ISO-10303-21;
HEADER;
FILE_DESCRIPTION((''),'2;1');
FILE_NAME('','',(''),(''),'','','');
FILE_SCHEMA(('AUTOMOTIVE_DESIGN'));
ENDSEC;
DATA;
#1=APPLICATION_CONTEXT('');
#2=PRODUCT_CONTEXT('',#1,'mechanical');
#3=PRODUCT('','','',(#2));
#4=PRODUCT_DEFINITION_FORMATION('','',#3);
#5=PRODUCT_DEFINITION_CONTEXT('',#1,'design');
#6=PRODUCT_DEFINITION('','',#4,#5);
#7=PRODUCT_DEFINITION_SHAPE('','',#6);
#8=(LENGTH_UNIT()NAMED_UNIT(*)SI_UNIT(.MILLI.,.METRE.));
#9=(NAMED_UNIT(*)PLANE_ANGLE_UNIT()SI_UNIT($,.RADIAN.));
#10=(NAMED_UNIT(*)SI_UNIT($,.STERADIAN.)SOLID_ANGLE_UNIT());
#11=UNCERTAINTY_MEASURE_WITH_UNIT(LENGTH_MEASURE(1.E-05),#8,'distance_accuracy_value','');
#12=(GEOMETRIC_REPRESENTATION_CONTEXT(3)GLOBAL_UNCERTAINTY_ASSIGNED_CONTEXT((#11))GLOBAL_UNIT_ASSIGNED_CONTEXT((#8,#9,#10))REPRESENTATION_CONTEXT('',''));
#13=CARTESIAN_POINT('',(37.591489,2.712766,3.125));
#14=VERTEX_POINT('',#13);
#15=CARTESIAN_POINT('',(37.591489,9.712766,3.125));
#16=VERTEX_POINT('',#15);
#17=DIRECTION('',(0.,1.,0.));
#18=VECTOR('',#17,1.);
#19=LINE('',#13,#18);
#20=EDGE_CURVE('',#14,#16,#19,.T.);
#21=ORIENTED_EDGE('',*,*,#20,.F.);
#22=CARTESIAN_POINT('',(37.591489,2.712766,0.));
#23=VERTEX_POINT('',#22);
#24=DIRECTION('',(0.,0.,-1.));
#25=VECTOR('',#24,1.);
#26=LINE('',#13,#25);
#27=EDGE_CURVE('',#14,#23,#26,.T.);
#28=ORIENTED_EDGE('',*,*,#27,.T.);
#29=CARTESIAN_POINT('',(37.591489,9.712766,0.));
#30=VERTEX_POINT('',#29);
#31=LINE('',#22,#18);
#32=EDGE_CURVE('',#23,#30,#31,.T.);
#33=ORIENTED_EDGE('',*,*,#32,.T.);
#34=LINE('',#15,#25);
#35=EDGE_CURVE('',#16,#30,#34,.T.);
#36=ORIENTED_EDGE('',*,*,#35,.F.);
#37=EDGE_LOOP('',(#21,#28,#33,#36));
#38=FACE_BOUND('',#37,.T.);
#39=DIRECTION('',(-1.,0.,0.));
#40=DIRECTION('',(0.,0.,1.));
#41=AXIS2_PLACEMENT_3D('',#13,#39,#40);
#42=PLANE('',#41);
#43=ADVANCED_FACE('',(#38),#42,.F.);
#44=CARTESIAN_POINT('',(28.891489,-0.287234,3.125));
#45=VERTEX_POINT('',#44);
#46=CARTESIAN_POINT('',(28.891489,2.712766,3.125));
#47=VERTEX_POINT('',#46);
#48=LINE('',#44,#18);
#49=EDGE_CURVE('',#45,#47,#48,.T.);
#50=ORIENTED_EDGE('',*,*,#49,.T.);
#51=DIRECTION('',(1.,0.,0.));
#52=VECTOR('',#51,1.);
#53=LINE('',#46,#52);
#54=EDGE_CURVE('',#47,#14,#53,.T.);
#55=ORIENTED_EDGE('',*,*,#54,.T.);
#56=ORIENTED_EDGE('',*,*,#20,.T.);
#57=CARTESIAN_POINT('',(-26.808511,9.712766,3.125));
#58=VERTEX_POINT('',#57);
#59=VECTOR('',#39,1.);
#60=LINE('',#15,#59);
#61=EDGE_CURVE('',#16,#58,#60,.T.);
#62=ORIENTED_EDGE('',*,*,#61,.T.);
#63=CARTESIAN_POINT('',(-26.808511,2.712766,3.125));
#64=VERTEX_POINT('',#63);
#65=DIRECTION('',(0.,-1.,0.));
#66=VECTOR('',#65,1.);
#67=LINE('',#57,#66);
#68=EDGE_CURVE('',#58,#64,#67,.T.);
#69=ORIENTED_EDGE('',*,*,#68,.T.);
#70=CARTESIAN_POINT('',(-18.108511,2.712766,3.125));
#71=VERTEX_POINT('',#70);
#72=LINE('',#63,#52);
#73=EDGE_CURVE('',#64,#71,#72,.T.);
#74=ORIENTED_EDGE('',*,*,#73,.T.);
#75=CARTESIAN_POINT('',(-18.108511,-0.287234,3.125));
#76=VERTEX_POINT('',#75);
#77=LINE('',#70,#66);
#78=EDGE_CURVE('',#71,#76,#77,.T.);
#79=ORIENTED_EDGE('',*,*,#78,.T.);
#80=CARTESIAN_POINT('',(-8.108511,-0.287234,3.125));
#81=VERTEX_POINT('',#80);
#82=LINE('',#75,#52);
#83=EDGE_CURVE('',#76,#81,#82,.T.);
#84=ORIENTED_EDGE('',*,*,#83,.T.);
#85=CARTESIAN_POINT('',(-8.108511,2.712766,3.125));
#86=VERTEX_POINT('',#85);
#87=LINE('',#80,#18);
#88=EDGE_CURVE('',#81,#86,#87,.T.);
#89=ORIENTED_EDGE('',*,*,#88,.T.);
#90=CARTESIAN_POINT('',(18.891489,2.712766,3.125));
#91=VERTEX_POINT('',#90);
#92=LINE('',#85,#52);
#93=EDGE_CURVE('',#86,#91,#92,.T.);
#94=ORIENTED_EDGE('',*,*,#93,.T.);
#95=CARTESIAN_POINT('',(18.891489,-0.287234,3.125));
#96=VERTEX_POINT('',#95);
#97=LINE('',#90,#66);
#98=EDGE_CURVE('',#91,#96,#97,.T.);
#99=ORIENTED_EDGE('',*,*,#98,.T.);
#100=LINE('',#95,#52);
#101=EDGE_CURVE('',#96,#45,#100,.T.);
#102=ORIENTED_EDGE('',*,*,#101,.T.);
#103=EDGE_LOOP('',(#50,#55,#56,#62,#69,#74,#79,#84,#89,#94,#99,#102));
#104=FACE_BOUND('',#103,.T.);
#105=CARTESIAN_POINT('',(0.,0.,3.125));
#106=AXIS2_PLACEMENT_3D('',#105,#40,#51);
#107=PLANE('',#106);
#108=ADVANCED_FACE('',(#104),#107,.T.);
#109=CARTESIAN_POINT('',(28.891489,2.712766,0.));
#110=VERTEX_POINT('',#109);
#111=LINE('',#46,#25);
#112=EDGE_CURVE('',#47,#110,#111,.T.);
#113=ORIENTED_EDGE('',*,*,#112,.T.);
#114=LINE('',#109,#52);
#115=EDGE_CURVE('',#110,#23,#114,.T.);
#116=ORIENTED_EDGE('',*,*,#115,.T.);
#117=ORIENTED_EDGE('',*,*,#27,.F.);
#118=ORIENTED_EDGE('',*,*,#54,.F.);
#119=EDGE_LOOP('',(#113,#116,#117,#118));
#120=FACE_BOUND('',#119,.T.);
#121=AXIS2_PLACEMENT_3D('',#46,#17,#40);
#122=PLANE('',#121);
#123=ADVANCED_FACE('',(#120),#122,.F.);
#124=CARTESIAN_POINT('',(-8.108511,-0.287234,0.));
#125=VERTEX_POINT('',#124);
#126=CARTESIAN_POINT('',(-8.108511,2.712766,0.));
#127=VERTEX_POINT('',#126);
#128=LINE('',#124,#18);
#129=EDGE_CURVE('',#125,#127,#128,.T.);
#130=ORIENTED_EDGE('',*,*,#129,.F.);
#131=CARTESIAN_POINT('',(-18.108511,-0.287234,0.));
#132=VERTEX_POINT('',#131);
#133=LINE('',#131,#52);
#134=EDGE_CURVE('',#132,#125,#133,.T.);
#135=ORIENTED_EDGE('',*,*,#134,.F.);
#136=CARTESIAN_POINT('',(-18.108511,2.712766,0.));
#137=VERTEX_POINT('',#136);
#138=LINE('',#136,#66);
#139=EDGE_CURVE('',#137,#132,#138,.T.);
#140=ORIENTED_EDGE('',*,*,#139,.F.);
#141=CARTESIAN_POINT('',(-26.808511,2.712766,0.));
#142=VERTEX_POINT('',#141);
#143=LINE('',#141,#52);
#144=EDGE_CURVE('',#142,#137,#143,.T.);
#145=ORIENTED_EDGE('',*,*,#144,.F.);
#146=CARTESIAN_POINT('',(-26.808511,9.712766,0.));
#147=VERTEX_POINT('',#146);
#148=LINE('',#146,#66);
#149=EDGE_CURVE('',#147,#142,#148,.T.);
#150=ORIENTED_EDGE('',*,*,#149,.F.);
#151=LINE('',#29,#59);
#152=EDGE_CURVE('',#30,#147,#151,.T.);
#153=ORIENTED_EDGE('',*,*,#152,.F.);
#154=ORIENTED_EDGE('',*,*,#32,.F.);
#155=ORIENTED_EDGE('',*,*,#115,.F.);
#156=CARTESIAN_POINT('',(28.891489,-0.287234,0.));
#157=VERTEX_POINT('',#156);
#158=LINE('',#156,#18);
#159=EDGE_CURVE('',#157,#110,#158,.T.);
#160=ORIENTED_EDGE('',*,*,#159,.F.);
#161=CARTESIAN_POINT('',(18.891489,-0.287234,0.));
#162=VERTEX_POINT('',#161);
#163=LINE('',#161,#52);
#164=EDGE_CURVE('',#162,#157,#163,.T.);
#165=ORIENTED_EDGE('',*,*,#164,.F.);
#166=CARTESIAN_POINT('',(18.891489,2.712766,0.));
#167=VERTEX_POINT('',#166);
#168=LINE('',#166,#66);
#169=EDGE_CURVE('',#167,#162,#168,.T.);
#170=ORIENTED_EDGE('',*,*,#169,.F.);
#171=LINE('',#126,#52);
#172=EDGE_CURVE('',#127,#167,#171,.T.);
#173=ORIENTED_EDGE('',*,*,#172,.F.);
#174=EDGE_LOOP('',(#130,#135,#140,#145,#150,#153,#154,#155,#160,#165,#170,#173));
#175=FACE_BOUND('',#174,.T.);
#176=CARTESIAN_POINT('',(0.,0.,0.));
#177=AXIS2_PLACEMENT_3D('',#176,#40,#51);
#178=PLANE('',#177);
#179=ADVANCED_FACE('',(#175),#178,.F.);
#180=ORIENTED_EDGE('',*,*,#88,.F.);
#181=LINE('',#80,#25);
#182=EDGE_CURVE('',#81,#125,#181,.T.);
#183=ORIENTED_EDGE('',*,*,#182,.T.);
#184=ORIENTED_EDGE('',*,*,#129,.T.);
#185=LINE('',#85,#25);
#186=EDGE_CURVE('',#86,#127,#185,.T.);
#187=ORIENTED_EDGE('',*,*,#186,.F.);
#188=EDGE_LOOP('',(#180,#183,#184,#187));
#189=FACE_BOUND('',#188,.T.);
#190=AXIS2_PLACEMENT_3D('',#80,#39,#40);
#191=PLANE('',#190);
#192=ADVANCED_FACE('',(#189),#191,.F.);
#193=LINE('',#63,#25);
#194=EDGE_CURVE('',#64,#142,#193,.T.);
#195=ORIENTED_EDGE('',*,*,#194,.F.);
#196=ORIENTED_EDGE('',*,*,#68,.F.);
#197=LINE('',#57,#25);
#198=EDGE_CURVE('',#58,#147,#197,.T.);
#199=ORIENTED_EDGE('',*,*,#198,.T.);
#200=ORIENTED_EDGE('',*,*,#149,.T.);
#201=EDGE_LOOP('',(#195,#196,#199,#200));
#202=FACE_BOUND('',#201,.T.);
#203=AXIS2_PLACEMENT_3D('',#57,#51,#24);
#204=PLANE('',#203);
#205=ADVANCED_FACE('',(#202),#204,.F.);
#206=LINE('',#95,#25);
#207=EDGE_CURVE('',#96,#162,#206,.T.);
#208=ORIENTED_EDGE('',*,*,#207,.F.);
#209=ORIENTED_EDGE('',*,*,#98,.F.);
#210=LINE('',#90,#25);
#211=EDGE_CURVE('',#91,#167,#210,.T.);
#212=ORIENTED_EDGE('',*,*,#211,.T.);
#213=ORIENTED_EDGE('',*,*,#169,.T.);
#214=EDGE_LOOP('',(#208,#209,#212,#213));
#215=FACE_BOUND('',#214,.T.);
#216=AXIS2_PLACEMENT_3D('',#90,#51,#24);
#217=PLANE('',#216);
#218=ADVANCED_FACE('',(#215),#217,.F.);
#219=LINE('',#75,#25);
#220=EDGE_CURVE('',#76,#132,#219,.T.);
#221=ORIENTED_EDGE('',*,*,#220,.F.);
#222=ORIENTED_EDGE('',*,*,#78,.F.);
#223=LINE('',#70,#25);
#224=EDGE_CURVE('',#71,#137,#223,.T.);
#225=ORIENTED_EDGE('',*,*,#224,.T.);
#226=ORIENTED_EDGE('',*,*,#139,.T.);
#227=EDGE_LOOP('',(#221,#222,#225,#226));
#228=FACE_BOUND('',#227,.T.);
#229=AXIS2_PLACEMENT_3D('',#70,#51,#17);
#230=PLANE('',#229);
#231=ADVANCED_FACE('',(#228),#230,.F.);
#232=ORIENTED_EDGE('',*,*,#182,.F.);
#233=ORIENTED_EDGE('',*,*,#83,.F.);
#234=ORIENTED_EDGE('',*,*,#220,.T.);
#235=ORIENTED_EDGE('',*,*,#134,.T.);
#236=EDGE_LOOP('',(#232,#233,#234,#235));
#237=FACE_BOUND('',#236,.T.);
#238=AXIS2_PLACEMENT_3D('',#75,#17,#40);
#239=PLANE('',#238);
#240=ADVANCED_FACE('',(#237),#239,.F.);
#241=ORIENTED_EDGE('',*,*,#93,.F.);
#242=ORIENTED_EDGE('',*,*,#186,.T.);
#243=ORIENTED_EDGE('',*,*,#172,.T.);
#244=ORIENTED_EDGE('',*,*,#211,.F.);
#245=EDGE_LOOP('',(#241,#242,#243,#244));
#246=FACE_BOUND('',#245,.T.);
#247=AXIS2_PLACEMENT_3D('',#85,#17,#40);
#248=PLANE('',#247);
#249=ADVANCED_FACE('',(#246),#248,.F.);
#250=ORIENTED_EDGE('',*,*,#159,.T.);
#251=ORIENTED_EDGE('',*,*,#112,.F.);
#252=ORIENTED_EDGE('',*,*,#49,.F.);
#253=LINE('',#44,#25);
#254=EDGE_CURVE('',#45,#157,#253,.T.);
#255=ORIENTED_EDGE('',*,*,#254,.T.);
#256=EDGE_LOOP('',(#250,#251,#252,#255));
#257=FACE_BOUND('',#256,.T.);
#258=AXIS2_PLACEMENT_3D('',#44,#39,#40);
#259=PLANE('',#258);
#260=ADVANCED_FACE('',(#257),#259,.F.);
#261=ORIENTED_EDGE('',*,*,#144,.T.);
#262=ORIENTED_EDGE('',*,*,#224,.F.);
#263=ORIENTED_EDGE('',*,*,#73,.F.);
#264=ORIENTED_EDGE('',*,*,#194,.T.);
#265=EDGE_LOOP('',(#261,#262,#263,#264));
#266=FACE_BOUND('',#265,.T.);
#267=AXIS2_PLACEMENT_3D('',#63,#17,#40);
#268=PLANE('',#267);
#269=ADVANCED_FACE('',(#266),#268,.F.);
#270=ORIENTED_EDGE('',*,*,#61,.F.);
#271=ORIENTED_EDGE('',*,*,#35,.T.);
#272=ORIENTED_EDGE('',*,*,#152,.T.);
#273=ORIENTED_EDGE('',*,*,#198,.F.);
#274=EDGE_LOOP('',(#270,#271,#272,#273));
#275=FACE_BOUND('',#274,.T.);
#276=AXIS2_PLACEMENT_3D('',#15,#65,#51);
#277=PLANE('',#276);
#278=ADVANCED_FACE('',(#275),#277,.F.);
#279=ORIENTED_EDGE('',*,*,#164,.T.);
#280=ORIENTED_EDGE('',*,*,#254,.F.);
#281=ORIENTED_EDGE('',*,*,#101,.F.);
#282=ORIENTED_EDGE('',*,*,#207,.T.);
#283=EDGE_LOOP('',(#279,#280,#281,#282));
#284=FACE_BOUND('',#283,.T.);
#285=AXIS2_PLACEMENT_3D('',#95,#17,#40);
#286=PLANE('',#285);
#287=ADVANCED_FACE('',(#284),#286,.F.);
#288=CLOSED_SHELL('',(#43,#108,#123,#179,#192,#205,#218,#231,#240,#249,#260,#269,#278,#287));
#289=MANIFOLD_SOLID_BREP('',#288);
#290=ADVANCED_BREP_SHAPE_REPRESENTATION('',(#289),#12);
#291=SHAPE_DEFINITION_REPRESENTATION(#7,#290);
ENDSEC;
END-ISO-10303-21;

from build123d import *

# Parameters (mm, degrees)
BOSS_EXTRUDE1_DEPTH = 3.125


with BuildPart() as part:
    # Sketch1 → Boss-Extrude1 (new body)
    with BuildSketch(Plane.XY):
        Polygon((-26.808510638, 9.712765957), (-26.808510638, 2.712765957), (-18.108510638, 2.712765957), (-18.108510638, -0.287234043), (-8.108510638, -0.287234043), (-8.108510638, 2.712765957), (18.891489362, 2.712765957), (18.891489362, -0.287234043), (28.891489362, -0.287234043), (28.891489362, 2.712765957), (37.591489362, 2.712765957), (37.591489362, 9.712765957), align=None)
    extrude(amount=BOSS_EXTRUDE1_DEPTH)


solid = part.part
